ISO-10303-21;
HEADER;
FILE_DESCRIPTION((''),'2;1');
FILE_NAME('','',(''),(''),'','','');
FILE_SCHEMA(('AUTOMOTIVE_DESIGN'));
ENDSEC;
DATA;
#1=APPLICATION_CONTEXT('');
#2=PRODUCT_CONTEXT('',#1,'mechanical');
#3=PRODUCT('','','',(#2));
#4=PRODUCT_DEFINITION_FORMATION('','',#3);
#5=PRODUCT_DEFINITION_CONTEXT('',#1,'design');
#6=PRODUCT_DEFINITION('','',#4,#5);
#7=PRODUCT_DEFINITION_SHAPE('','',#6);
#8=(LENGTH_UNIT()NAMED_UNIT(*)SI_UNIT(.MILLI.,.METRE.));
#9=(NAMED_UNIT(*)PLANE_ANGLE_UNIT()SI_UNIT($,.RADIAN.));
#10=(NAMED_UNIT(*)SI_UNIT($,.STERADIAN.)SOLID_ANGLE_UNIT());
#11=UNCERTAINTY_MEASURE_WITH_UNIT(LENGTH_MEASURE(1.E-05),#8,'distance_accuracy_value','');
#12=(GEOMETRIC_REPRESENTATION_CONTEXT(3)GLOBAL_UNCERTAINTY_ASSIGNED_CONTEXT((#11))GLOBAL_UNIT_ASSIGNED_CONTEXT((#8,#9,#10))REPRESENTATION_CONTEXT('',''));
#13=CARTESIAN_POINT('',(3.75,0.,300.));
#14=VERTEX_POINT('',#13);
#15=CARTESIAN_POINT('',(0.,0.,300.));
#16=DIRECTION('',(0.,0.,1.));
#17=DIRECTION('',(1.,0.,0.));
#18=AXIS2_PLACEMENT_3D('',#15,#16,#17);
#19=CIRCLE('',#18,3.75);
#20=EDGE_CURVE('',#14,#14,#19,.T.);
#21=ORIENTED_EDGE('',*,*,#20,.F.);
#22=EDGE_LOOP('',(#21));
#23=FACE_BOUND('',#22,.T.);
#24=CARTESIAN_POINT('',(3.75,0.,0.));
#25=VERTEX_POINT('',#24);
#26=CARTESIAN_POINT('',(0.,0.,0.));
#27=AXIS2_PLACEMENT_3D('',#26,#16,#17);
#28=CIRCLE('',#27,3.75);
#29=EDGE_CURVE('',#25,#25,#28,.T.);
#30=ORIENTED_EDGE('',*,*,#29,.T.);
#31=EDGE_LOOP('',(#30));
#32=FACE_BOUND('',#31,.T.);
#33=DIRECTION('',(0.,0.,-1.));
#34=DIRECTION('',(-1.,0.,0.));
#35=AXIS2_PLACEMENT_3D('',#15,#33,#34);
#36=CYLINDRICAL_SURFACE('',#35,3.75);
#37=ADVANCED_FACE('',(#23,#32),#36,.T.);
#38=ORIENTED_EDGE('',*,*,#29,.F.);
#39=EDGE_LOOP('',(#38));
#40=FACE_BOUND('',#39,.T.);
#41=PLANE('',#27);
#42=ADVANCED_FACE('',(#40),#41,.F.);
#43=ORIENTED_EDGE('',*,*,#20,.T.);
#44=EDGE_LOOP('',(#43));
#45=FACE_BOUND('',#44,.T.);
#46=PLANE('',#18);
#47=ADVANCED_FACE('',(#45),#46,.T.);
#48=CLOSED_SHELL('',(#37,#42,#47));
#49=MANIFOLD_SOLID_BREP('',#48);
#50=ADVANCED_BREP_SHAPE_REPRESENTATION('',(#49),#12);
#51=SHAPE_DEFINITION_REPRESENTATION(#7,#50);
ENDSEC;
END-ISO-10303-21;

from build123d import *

# Parameters (mm, degrees)
ESQUISSE1_R        = 3.75
BOSS_EXTRU_1_DEPTH = 300


with BuildPart() as part:
    # Esquisse1 → Boss.-Extru.1 (new body)
    with BuildSketch(Plane.XY):
        Circle(ESQUISSE1_R)
    extrude(amount=BOSS_EXTRU_1_DEPTH)


solid = part.part
